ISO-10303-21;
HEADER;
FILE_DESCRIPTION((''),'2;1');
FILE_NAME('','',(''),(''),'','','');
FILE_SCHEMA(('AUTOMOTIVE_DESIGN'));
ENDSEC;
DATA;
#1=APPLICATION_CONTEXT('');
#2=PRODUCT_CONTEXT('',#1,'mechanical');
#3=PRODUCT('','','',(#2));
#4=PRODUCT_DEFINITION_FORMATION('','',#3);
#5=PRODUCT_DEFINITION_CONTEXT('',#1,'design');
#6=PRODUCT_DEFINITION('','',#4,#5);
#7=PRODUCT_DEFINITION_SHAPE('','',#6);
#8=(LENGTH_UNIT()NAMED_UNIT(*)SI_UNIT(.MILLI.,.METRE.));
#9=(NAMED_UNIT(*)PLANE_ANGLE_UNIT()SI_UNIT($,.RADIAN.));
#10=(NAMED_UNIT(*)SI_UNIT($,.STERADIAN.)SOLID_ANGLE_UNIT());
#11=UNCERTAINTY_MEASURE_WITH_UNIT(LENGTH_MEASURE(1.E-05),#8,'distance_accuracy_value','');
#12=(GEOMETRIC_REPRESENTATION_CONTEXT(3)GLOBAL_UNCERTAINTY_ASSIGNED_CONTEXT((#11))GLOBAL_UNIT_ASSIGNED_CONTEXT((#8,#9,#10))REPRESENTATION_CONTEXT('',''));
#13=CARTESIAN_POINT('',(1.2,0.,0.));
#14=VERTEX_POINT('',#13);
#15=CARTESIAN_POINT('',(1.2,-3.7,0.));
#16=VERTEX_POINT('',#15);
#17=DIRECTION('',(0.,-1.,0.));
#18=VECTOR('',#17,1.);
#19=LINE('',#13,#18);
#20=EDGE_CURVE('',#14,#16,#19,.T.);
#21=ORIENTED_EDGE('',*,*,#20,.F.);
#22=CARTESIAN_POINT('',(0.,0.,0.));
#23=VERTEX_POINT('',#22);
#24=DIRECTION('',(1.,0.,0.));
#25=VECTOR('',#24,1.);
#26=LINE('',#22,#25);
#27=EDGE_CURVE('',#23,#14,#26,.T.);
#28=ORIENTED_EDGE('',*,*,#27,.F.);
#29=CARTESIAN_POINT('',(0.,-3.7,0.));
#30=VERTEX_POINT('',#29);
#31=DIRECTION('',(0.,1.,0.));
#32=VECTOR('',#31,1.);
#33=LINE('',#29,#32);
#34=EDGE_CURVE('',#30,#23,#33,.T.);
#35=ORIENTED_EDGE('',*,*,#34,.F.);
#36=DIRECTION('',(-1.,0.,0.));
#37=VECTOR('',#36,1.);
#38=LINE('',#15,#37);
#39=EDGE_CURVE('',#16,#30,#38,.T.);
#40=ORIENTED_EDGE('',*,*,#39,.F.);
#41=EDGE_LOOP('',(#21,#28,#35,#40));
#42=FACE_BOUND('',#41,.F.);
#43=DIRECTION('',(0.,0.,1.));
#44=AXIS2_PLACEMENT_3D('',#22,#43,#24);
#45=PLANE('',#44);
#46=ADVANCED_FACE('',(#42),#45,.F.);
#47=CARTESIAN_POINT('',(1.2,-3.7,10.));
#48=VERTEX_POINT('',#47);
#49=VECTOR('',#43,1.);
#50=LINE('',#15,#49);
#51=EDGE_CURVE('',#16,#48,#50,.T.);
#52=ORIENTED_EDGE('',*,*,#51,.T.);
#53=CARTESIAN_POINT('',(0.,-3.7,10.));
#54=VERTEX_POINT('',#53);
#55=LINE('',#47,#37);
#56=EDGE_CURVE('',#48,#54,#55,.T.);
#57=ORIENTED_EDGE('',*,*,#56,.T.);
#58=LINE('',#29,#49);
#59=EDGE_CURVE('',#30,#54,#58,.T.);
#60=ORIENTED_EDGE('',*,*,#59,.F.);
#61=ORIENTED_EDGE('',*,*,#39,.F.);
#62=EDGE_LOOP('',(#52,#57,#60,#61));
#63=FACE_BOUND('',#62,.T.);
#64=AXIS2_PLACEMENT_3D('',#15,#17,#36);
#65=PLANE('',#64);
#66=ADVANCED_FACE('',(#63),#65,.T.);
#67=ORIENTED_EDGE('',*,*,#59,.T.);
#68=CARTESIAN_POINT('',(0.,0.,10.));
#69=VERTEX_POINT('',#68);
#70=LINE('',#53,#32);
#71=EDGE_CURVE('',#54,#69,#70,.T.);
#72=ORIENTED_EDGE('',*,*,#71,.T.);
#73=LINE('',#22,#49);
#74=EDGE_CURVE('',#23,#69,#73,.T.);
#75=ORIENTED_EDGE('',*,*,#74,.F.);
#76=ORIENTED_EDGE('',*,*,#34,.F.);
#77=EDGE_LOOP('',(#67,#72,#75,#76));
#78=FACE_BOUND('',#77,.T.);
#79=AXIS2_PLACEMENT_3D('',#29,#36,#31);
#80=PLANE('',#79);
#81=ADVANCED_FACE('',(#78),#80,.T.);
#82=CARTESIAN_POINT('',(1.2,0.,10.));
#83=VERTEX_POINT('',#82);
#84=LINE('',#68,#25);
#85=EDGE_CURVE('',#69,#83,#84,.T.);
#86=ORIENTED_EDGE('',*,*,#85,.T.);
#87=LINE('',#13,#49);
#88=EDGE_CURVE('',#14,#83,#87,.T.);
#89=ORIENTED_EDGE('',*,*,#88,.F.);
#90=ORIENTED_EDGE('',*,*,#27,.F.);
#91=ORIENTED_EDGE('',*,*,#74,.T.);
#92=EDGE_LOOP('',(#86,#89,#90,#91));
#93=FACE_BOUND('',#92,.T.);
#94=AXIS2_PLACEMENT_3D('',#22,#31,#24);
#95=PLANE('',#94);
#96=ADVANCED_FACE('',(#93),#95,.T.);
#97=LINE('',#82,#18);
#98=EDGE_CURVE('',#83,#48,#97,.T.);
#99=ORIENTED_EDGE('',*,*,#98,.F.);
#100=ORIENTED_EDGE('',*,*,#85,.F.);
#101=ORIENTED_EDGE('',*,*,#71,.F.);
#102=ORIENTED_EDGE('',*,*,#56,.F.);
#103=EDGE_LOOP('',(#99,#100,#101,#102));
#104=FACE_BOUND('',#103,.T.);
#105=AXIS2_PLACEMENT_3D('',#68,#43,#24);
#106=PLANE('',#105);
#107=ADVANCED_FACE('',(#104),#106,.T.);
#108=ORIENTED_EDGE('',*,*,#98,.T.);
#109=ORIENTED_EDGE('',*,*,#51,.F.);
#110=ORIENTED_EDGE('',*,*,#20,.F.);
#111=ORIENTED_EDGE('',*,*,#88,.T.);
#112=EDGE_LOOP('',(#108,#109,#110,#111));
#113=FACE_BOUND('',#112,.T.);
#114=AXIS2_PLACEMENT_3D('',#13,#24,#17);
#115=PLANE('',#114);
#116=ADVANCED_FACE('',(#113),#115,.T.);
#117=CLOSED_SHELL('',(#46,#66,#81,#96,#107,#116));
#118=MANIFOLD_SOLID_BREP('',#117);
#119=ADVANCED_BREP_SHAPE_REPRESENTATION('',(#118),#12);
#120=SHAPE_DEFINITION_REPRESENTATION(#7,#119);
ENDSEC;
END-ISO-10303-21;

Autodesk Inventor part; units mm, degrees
ref_plane "YZ Plane" through (0, 0, 0) normal (1, 0, 0) x (0, 1, 0)
ref_plane "XZ Plane" through (0, 0, 0) normal (0, 1, 0) x (-1, 0, 0)
ref_plane "XY Plane" through (0, 0, 0) normal (0, 0, 1) x (1, 0, 0)
sketch "Sketch1" plane through (0, 0, 0) normal (0, 0, 1) x (1, 0, 0)
  line L0 (0, 0) -> (1.2, 0)
  line L1 (1.2, 0) -> (1.2, -3.7)
  line L2 (1.2, -3.7) -> (0, -3.7)
  line L3 (0, -3.7) -> (0, 0)
  dimension "d0" = 1.2
  dimension "d1" = 3.7
extrude "Extrusion1" add sketch "Sketch1" along normal blind 10
equation "\"d0\" = IG_slitWidth - 2 * IG_slitClearance"
equation "\"d1\" = IG_slitlength - 2 * IG_slitClearance"
equation "\"d2\" = IG_shaftLength"
equation "\"Wheel_Related_W_\" = 0"
equation "\"W_innerDiameter\" = 35"
equation "\"W_innerDepth\" = 4.5"
equation "\"W_wallThickness\" = 2"
equation "\"W_holesClearance\" = 0.3"
equation "\"W_outerGearHoleDiameter\" = 2.1"
equation "\"W_innerGearHoleDiameter\" = 5.1"
equation "\"TempSpotReserved7\" = 0"
equation "\"TempSpotReserved8\" = 0"
equation "\"TempSpotReserved9\" = 0"
equation "\"TempSpotReserved10\" = 0"
equation "\"Inner_Gear_Related_IG_\" = 0"
equation "\"IG_shaftDiameter\" = 2.5"
equation "\"IG_shaftLength\" = 10"
equation "\"IG_gearThickness\" = 1"
equation "\"IG_skirtOffset\" = 1.5"
equation "\"IG_skirtThickness\" = 0.5"
equation "\"IG_extentionLength\" = 7"
equation "\"IG_extentionThickness\" = 1"
equation "\"IG_slitWidth\" = 1.5"
equation "\"IG_slitlength\" = 4"
equation "\"Outer_Gear_Related_OG_\" = 0"
equation "\"OG_shaftDiameter\" = 1.5"
equation "\"OG_shaftLength\" = 5"
equation "\"OG_gearThickness\" = 1"
equation "\"OG_skirtOffset\" = 1"
equation "\"OG_skirtThickness\" = 1"
equation "\"TempSpotReserved29\" = 0"
equation "\"TempSpotReserved30\" = 0"
equation "\"Leg_Extensions_Related_LE_\" = 0"
equation "\"LE_baseDiameter\" = 2"
equation "\"LE_maxLength\" = 10.64459"
equation "\"LE_thickness\" = 2"
equation "\"LE_offsetAboveOuterGear\" = 0"
equation "\"TempSpotReserved35\" = 0"
equation "\"TempSpotReserved36\" = 0"
equation "\"TempSpotReserved37\" = 0"
equation "\"TempSpotReserved38\" = 0"
equation "\"TempSpotReserved39\" = 0"
equation "\"TempSpotReserved40\" = 0"
equation "\"Bearing_Related_B_\" = 0"
equation "\"B_bearingThickness\" = 1"
equation "\"TempSpotReserved42\" = 0"
equation "\"TempSpotReserved43\" = 0"
equation "\"TempSpotReserved44\" = 0"
equation "\"TempSpotReserved45\" = 0"
equation "\"TempSpotReserved46\" = 0"
equation "\"TempSpotReserved47\" = 0"
equation "\"TempSpotReserved48\" = 0"
equation "\"TempSpotReserved49\" = 0"
equation "\"TempSpotReserved50\" = 0"
equation "\"IG_slitClearance\" = 0.15"
properties part number "block_1"
